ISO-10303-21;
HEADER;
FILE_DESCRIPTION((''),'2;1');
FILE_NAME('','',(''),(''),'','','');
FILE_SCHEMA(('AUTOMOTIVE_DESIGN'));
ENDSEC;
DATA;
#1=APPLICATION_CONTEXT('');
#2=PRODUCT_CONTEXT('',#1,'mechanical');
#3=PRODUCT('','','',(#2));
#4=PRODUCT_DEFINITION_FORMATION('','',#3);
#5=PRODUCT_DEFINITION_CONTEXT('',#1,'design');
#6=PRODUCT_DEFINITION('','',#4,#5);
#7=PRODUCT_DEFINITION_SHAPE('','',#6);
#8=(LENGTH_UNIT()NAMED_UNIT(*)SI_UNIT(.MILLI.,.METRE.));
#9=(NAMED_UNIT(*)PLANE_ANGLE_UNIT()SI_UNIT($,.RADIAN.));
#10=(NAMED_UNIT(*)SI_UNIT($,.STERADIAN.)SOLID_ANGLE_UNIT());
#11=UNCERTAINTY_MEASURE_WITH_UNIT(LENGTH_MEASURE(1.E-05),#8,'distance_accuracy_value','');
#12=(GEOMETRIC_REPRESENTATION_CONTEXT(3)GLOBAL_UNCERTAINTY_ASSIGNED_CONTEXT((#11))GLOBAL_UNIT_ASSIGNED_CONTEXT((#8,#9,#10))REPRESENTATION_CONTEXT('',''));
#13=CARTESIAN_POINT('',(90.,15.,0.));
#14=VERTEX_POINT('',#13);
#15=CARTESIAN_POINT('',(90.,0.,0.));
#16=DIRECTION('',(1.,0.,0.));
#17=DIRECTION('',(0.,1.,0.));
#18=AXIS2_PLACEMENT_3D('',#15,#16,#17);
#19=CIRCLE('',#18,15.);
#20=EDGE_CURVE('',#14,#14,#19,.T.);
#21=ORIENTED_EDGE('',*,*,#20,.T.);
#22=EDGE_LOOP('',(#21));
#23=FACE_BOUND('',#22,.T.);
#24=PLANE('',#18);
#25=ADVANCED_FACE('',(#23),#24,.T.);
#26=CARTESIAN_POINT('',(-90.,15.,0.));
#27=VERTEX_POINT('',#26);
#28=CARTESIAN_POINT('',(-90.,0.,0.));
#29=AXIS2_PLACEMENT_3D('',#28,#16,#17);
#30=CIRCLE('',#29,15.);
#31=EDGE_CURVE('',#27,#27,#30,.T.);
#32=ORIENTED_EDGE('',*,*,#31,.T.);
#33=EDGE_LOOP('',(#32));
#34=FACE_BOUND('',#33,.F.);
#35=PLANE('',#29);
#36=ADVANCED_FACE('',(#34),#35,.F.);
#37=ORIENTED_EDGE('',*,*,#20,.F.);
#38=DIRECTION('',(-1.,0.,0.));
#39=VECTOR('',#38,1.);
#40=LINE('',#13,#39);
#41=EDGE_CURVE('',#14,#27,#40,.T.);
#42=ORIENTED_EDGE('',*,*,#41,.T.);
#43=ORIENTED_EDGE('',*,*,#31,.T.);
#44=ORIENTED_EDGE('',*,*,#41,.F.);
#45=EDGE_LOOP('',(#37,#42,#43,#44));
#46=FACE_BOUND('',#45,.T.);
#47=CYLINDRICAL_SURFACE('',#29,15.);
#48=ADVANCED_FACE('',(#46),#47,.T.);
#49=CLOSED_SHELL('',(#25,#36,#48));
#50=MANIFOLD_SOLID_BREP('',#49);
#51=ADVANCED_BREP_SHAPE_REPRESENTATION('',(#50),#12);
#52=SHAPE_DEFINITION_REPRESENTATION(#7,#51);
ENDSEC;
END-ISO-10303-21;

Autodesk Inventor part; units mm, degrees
ref_plane "YZ Plane" through (0, 0, 0) normal (1, 0, 0) x (0, 1, 0)
ref_plane "XZ Plane" through (0, 0, 0) normal (0, 1, 0) x (-1, 0, 0)
sketch "Sketch1" plane through (0, 0, 0) normal (0, 0, 1) x (1, 0, 0)
  line L0 (90, 15) -> (90, 0)
  line L1 (-90, 0) -> (90, 0)
  line L2 (-126, 0) -> (126, 0) projected
  line L3 (0, 18) -> (0, -3) projected
  line L4 (-90, 15) -> (-90, 0)
  line L5 (0, 15) -> (0, 0) construction
  line L6 (-126, 0) -> (126, 0) projected
  line L7 (-90, 15) -> (90, 15)
  dimension "d13" = 30
  dimension "d87" = 180
  dimension "d88" = 90
revolve "Body" add sketch "Sketch1" angle 360 about axis through (-90, 0, 0) along (1, 0, 0)
thread "Thread1" size "M30x3.5" class "6g" standard "ISO Metric profile" length 180
ref_plane "Work Plane1" through (2.75, 0, 0) normal (0, -1, 0) x (1, 0, 0)
equation "\"d13\" = NND"
equation "\"d87\" = NLG"
equation "\"d88\" = 0.5 * NLG"
equation "\"d1\" = GEL"
equation "\"NLG\" = 180"
equation "\"GEL\" = NLG"
equation "\"GAL\" = 0.61345 * PTC"
equation "\"SPD\" = 25.306"
equation "\"GUL\" = 0.61345 * PTC"
equation "\"NND\" = 30"
equation "\"GUL1\" = GUL"
equation "\"GAL1\" = GAL"
equation "\"d89\" = -GEL + GUL1"
equation "\"d90\" = -GUL - GEL"
equation "\"PTC\" = 3.5"
equation "\"TOA\" = 30deg"
equation "\"GD1\" = THREADDIA - 1.2269 * PTC"
equation "\"THREADDIA\" = 30"
properties part number "DIN 976-1 - M30 x 180 - A" material "Steel ASTM 193 B7"
